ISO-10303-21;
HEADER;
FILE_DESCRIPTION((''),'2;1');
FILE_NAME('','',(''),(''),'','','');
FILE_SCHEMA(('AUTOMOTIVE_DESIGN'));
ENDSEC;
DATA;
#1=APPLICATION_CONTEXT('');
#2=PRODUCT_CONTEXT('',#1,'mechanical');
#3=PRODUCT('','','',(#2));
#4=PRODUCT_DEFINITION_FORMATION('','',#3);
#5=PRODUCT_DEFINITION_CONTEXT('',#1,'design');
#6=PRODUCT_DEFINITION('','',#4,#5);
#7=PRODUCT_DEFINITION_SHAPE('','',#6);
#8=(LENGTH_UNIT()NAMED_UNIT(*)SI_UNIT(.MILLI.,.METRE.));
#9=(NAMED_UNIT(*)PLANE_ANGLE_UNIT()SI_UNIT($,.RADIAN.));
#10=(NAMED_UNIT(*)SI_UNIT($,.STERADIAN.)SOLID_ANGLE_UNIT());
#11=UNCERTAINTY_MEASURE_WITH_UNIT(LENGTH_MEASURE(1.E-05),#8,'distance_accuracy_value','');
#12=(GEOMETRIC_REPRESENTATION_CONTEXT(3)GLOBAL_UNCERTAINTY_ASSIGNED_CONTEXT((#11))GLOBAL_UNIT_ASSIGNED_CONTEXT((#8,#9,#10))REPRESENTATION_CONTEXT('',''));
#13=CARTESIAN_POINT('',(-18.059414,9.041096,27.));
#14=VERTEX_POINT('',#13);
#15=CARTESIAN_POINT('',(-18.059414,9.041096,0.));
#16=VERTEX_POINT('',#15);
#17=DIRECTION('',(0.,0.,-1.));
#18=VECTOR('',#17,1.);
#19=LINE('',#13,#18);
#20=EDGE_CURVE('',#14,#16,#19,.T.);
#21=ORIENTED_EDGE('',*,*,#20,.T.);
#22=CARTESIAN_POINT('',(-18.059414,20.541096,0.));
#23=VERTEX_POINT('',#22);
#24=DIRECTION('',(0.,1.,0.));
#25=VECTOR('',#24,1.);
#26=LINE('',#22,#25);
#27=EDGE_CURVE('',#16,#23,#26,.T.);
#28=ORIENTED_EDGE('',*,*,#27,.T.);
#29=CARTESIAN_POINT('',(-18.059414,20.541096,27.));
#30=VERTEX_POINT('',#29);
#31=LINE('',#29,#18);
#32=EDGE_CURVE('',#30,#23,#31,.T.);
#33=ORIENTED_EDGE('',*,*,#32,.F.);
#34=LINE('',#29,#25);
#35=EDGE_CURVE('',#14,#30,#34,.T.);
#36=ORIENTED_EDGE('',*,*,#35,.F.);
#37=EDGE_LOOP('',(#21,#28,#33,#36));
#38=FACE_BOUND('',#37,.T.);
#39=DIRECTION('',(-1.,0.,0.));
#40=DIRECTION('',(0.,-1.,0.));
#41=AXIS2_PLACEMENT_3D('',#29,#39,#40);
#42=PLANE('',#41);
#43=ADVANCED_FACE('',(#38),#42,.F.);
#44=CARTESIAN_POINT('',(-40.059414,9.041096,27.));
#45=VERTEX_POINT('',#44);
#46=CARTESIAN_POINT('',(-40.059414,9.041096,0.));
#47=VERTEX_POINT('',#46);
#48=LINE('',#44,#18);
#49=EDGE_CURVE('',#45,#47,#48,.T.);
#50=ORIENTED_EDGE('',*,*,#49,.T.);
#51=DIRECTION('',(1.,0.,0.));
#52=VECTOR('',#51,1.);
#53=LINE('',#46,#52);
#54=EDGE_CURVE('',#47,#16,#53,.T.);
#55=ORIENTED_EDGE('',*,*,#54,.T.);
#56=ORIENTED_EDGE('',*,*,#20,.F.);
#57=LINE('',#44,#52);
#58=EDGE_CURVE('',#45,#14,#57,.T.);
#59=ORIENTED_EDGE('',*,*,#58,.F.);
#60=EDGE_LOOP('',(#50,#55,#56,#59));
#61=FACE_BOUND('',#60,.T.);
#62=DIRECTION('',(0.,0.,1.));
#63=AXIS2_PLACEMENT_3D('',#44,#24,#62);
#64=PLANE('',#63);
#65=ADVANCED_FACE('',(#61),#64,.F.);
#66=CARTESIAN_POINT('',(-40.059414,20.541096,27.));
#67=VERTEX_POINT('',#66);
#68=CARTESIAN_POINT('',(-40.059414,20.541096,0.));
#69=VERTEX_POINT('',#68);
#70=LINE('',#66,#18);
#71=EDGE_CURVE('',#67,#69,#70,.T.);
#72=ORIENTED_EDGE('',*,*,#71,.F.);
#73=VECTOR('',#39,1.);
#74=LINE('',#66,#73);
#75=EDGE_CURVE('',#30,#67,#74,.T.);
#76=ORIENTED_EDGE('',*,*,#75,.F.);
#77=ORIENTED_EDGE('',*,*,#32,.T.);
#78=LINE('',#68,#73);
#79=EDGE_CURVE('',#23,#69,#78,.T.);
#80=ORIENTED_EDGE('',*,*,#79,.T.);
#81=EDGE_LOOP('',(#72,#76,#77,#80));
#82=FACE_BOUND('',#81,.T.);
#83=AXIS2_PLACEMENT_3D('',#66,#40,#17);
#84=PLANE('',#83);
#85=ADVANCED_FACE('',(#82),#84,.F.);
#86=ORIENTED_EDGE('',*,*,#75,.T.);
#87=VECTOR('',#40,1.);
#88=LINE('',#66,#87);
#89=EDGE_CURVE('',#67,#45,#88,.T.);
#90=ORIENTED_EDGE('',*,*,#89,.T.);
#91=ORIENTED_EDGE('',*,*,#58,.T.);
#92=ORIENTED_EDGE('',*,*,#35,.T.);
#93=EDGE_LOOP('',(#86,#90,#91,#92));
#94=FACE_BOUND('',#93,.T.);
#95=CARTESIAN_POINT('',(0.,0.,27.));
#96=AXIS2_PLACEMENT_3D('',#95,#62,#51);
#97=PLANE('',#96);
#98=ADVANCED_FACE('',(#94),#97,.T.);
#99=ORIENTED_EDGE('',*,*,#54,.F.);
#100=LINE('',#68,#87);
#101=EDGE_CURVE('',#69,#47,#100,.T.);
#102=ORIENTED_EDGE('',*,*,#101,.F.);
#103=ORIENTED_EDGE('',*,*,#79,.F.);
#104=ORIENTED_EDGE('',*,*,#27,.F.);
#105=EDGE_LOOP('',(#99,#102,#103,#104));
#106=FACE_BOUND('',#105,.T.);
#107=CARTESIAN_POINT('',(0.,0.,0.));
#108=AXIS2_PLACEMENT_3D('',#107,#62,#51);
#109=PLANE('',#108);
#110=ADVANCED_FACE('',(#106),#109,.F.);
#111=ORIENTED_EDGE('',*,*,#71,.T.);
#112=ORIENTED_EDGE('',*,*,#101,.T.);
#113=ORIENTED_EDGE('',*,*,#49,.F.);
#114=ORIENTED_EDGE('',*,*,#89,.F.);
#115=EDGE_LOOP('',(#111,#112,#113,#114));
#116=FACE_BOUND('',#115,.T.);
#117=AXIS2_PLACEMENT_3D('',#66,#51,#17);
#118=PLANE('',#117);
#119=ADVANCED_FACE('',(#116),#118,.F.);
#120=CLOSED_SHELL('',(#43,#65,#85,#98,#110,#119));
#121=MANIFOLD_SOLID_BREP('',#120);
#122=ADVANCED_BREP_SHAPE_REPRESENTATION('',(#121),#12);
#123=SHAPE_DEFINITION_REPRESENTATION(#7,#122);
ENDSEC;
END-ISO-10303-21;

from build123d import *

# Parameters (mm, degrees)
SKETCH_1_W      = 22
SKETCH_1_H      = 11.5
EXTRUDE_1_DEPTH = 27


with BuildPart() as part:
    # ｽｹｯﾁ1 → ﾎﾞｽ - 押し出し1 (new body)
    with BuildSketch(Plane.XY):
        with Locations((-29.059413826, 14.79109589)):
            Rectangle(SKETCH_1_W, SKETCH_1_H)
    extrude(amount=EXTRUDE_1_DEPTH)


solid = part.part
